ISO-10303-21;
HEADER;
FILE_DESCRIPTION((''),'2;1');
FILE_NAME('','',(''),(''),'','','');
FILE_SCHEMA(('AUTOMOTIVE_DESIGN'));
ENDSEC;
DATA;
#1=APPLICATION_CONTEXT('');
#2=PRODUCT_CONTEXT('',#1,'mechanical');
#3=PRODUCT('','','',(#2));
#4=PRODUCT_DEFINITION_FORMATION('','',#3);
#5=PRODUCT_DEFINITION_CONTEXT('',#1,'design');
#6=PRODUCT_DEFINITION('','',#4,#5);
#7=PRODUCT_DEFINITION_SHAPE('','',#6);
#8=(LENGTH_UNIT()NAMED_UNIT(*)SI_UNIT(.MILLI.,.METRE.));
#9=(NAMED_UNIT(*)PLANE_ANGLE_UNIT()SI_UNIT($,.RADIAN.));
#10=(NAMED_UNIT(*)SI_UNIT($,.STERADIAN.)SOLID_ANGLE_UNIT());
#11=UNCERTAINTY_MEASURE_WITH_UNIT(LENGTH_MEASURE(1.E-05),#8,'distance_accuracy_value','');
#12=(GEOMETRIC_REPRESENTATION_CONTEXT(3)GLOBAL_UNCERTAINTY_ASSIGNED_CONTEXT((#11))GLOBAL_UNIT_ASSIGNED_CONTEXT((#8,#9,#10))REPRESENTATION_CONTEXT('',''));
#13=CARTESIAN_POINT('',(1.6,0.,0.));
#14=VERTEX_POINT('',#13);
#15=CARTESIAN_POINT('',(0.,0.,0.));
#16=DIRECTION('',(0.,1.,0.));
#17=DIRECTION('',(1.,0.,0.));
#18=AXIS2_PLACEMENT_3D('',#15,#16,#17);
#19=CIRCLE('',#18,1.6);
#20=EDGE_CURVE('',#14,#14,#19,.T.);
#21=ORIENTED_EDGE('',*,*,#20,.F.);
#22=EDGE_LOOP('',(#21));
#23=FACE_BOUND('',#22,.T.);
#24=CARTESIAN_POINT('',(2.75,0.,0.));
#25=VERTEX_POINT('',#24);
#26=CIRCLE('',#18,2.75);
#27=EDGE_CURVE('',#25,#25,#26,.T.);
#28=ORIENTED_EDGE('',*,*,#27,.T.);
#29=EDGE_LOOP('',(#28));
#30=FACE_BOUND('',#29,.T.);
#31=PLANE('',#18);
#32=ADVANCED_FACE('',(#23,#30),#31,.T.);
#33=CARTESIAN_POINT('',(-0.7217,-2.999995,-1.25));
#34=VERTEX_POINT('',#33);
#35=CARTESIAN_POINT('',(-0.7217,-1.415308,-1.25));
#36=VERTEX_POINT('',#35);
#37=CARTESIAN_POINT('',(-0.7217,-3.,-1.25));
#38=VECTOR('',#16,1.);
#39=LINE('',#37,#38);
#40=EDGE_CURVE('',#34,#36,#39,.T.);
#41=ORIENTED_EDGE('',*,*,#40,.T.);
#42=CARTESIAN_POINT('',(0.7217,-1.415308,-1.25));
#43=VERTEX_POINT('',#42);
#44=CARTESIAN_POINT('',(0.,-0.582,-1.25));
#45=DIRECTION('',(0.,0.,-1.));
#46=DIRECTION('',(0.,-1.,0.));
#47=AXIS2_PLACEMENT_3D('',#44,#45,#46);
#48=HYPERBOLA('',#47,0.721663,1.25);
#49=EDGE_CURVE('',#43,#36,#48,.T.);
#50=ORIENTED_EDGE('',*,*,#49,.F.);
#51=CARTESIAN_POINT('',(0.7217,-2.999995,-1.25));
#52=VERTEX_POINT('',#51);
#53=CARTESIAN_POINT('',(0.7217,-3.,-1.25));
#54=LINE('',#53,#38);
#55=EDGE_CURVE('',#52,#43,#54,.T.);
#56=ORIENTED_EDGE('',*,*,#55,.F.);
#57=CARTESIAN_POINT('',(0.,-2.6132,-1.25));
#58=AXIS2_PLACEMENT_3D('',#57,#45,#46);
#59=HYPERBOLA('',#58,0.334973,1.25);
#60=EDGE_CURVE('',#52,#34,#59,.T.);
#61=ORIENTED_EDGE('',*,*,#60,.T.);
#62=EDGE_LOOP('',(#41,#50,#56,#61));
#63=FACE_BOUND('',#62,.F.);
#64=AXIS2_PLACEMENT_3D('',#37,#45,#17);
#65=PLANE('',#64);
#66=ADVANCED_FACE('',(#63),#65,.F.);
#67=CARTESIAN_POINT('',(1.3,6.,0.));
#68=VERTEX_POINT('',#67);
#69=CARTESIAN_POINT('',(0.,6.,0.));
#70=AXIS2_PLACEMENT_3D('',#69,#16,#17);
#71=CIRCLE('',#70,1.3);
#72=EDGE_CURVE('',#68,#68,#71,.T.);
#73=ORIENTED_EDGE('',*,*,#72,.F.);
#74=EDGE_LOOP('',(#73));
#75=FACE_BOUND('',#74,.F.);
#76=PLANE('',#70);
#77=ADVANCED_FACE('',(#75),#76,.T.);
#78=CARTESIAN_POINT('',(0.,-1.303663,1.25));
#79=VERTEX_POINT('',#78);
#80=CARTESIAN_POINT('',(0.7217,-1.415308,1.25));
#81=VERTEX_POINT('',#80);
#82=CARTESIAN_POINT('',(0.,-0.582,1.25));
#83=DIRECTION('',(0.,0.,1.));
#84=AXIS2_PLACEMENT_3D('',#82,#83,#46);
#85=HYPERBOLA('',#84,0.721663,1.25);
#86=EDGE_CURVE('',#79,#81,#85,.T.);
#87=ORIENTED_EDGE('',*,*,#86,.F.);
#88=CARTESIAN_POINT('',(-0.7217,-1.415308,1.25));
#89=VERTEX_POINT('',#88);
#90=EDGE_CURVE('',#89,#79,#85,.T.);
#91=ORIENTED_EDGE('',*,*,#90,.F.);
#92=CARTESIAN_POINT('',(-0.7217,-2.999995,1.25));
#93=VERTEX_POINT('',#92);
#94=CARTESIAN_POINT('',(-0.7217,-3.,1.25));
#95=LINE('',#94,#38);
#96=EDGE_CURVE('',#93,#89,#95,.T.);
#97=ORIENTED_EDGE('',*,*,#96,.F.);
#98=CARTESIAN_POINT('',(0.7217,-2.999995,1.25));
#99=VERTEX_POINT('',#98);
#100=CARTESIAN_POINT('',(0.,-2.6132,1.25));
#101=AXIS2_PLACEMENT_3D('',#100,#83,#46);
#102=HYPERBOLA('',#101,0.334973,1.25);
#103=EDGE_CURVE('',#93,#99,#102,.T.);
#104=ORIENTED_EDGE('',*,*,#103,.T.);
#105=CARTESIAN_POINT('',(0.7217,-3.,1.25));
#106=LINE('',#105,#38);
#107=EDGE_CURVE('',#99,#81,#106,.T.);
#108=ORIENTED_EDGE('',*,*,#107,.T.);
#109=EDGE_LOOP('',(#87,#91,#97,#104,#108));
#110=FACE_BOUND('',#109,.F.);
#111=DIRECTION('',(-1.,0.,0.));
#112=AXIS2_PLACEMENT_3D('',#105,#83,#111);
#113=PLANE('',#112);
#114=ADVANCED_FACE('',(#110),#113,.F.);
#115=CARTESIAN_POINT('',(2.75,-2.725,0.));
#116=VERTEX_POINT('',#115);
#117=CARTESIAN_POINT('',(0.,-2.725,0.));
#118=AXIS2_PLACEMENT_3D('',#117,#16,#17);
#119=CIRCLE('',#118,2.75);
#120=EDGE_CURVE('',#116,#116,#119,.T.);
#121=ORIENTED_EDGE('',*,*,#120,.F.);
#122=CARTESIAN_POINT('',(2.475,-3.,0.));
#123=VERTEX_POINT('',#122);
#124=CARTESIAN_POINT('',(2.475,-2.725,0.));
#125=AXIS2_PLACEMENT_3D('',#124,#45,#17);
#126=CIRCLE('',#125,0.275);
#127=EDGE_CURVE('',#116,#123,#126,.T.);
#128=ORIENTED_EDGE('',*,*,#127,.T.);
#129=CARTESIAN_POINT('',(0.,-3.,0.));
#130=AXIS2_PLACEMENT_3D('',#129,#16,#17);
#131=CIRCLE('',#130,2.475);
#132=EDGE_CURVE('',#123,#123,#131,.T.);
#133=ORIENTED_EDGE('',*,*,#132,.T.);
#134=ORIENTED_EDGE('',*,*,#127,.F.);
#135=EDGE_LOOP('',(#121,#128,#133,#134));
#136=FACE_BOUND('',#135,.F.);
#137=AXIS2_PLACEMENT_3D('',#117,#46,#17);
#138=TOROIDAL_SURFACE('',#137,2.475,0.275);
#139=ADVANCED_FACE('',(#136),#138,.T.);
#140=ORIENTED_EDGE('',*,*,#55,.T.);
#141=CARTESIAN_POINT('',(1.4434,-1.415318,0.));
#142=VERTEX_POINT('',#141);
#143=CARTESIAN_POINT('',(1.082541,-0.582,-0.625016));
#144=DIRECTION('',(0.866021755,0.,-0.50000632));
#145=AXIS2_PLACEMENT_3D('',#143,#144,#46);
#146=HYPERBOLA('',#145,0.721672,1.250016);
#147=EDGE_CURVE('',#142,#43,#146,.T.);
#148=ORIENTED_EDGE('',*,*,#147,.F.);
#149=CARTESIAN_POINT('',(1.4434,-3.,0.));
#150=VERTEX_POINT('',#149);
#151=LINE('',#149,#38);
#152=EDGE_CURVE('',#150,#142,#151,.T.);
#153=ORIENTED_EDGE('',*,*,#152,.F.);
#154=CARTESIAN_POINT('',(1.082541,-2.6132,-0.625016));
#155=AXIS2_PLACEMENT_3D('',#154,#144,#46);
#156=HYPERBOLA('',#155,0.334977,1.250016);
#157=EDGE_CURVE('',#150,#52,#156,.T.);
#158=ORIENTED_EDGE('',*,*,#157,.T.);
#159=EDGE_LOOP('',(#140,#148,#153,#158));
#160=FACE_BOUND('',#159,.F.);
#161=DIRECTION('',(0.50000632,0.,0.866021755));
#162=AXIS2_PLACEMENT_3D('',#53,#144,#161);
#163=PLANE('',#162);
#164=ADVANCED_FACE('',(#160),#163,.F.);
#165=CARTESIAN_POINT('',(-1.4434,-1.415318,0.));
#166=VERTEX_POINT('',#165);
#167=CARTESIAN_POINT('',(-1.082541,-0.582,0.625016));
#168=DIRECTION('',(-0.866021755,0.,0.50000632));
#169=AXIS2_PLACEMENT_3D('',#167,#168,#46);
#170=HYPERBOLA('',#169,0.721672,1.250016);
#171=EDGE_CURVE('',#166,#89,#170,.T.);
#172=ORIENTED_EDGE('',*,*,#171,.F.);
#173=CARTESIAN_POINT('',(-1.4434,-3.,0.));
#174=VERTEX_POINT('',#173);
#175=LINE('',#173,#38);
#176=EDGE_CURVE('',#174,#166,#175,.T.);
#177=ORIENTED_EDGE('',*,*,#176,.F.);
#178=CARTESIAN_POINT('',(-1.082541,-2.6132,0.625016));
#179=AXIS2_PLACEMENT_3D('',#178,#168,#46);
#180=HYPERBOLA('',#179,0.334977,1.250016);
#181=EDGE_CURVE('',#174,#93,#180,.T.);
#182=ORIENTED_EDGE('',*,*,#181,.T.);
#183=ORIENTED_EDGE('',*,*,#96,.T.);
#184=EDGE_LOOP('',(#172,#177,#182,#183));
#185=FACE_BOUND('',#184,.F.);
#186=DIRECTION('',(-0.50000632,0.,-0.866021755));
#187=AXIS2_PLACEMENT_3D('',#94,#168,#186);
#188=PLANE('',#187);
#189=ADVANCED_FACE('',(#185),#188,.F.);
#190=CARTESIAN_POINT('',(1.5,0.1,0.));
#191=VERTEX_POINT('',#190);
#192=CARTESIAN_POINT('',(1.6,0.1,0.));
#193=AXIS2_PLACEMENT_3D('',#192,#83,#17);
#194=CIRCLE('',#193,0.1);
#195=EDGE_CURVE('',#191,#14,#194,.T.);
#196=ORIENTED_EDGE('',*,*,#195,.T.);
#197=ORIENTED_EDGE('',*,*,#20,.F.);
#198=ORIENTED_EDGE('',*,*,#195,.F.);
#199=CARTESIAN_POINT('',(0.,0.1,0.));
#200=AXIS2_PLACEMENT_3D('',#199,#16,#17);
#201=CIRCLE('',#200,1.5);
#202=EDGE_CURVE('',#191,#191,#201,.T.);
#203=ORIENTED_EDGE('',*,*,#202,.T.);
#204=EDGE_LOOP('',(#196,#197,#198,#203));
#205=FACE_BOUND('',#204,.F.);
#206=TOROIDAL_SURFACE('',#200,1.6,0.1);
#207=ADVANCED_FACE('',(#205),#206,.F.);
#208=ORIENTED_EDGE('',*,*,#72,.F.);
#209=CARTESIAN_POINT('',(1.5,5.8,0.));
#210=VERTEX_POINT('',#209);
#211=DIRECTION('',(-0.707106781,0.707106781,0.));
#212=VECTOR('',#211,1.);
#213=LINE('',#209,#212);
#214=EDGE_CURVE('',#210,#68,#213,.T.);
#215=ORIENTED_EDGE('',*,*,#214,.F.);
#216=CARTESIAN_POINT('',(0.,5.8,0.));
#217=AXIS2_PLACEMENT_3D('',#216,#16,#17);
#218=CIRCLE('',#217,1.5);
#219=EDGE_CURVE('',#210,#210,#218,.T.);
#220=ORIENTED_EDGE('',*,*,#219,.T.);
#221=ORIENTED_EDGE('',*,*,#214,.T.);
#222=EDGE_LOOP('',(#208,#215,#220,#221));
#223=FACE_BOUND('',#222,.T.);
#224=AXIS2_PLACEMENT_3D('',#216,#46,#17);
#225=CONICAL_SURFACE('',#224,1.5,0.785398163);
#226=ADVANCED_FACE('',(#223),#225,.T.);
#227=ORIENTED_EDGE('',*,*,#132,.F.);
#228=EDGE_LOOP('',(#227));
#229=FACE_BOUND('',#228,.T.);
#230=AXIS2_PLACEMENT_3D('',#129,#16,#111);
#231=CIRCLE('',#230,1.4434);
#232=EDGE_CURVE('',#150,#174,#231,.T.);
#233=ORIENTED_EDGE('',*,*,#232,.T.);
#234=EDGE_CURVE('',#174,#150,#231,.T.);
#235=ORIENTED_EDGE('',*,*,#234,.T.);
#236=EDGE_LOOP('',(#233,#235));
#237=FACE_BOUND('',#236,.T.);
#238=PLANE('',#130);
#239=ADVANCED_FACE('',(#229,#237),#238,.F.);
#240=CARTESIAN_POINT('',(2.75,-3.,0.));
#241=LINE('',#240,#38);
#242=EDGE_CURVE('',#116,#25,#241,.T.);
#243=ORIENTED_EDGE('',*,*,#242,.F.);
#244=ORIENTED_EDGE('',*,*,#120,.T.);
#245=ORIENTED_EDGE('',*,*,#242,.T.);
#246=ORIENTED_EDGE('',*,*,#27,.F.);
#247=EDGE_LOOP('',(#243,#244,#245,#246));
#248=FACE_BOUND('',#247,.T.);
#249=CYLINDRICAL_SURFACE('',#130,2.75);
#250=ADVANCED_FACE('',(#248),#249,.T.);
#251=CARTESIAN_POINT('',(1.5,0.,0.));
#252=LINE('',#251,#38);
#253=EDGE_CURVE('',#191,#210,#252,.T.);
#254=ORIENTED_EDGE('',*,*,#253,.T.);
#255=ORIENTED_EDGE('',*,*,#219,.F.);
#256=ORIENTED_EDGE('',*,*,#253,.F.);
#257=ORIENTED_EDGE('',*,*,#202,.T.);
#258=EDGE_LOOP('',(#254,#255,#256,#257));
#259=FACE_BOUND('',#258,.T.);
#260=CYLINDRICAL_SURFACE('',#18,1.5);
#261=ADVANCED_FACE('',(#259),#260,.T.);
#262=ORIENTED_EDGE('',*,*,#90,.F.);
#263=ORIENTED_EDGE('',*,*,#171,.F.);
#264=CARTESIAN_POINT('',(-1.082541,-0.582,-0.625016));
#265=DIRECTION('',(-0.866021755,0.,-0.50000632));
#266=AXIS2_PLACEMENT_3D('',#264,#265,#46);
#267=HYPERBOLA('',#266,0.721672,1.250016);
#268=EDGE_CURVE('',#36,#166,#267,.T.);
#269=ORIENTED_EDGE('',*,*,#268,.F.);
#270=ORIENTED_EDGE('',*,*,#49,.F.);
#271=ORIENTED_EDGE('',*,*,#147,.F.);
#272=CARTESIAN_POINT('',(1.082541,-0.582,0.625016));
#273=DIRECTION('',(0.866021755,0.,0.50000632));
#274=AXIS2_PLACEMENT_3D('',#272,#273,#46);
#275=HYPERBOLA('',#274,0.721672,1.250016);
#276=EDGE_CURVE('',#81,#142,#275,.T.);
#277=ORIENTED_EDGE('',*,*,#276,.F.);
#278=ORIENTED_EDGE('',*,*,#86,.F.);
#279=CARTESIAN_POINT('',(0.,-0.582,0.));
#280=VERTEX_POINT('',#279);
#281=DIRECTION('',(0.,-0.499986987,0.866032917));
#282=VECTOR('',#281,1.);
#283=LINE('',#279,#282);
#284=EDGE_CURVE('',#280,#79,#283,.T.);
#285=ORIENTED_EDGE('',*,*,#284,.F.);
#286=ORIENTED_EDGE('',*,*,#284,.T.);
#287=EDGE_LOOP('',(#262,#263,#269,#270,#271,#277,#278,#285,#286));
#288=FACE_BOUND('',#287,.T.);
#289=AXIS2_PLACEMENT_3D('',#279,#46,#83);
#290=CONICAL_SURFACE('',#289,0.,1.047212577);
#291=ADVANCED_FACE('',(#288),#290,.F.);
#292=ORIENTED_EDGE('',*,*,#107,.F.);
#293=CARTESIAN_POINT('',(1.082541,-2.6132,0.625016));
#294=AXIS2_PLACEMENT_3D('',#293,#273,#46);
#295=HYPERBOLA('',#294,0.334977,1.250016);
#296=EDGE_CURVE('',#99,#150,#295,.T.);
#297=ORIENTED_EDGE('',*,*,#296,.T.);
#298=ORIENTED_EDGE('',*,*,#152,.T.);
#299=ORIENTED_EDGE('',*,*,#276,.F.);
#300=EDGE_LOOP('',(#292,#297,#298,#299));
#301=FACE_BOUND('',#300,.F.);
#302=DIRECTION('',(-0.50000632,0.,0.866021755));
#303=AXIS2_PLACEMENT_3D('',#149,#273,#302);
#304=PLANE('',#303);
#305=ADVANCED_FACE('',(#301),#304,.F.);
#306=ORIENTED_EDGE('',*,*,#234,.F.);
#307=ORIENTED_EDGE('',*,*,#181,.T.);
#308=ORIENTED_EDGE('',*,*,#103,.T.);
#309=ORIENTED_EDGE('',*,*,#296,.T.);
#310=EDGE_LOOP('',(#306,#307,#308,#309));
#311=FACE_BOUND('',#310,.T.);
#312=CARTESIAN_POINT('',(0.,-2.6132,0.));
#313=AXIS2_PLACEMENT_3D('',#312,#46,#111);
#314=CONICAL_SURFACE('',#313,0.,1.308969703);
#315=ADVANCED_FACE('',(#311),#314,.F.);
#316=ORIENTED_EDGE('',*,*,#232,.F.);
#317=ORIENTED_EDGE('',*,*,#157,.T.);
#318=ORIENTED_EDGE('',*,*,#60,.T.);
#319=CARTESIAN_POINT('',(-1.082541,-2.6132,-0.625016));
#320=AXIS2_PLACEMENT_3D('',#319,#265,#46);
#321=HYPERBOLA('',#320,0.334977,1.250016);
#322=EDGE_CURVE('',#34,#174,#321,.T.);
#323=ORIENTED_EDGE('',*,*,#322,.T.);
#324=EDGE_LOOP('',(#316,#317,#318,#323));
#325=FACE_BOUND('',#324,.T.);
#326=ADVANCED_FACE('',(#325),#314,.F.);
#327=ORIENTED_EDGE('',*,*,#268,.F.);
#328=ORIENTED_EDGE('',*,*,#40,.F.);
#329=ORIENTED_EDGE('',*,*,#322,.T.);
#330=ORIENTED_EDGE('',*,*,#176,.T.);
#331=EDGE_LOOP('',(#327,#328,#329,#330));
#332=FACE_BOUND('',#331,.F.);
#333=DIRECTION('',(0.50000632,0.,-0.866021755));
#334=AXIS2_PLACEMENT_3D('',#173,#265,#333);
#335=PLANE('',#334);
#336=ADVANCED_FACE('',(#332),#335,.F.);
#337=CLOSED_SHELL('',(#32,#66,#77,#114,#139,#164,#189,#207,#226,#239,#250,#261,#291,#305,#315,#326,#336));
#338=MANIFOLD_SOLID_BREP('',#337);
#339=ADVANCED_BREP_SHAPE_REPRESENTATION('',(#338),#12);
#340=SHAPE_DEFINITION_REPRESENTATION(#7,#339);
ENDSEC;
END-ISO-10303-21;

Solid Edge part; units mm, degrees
sketch "Sketch1" plane through (0, 0, 0) normal (0, 0, 1) x (1, 0, 0)
  line L0 (1.5, 0) -> (1.5, 6)
  line L1 (0, 6) -> (1.5, 6)
  line L2 (0, 0) -> (0, 6)
  line L3 (0, 0) -> (0, -3)
  line L4 (0, -3) -> (2.75, -3)
  line L5 (2.75, -3) -> (2.75, 0)
  line L6 (2.75, 0) -> (1.5, 0)
revolve "RevolvedProtrusion1" add sketch "Sketch1" angle 360 about axis through (0, 0, 0) along (0, 1, 0)
sketch "Sketch2" plane through (0, 0, 0) normal (1, 0, 0) x (0, 1, 0)
  line L0 (-3, 1.9365) -> (-1.7, 1.9365)
  line L1 (-0.582, 0) -> (-1.7, 1.9365)
  line L2 (-3, 0) -> (-0.582, 0)
  line L3 (-3, 0) -> (-3, 1.9365)
revolve "RevolvedCutout1" cut sketch "Sketch2" angle 360 about axis through (0, -4.5, 0) along (0, 1, 0)
sketch "Sketch3" plane through (0, -3, 0) normal (0, -1, 0) x (0, 0, 1)
  circle A0 centre (0, 0) radius 1.9365
  line L0 (-1.25, -0.7217) -> (0, -1.4434)
  line L1 (0, -1.4434) -> (1.25, -0.7217)
  line L2 (1.25, -0.7217) -> (1.25, 0.7217)
  line L3 (1.25, 0.7217) -> (0, 1.4434)
  line L4 (0, 1.4434) -> (-1.25, 0.7217)
  line L5 (-1.25, 0.7217) -> (-1.25, -0.7217)
  dimension "D1" = 2.5
extrude "Protrusion1" add sketch "Sketch3" against normal up to next
sketch "Sketch4" plane through (0, 0, 0) normal (0, 0, 1) x (1, 0, 0)
  line L0 (-1.4434, -3) -> (0, -3)
  line L1 (0, -3) -> (0, -2.6132)
  line L2 (0, -2.6132) -> (-1.4434, -3)
revolve "RevolvedCutout2" cut sketch "Sketch4" angle 360 about axis through (0, -4.5, 0) along (0, 1, 0)
fillet "Round1" radius 0.1 1 edges at (0, 0, -1.5)
fillet "Round2" radius 0.275 1 edges at (0, -3, -2.75)
chamfer "倒斜角_2" distance 0.2 angle 45 1 edges at (0, 6, -1.5)
cosmetic_thread "螺纹_3" size "M3" thread depth 4.8
